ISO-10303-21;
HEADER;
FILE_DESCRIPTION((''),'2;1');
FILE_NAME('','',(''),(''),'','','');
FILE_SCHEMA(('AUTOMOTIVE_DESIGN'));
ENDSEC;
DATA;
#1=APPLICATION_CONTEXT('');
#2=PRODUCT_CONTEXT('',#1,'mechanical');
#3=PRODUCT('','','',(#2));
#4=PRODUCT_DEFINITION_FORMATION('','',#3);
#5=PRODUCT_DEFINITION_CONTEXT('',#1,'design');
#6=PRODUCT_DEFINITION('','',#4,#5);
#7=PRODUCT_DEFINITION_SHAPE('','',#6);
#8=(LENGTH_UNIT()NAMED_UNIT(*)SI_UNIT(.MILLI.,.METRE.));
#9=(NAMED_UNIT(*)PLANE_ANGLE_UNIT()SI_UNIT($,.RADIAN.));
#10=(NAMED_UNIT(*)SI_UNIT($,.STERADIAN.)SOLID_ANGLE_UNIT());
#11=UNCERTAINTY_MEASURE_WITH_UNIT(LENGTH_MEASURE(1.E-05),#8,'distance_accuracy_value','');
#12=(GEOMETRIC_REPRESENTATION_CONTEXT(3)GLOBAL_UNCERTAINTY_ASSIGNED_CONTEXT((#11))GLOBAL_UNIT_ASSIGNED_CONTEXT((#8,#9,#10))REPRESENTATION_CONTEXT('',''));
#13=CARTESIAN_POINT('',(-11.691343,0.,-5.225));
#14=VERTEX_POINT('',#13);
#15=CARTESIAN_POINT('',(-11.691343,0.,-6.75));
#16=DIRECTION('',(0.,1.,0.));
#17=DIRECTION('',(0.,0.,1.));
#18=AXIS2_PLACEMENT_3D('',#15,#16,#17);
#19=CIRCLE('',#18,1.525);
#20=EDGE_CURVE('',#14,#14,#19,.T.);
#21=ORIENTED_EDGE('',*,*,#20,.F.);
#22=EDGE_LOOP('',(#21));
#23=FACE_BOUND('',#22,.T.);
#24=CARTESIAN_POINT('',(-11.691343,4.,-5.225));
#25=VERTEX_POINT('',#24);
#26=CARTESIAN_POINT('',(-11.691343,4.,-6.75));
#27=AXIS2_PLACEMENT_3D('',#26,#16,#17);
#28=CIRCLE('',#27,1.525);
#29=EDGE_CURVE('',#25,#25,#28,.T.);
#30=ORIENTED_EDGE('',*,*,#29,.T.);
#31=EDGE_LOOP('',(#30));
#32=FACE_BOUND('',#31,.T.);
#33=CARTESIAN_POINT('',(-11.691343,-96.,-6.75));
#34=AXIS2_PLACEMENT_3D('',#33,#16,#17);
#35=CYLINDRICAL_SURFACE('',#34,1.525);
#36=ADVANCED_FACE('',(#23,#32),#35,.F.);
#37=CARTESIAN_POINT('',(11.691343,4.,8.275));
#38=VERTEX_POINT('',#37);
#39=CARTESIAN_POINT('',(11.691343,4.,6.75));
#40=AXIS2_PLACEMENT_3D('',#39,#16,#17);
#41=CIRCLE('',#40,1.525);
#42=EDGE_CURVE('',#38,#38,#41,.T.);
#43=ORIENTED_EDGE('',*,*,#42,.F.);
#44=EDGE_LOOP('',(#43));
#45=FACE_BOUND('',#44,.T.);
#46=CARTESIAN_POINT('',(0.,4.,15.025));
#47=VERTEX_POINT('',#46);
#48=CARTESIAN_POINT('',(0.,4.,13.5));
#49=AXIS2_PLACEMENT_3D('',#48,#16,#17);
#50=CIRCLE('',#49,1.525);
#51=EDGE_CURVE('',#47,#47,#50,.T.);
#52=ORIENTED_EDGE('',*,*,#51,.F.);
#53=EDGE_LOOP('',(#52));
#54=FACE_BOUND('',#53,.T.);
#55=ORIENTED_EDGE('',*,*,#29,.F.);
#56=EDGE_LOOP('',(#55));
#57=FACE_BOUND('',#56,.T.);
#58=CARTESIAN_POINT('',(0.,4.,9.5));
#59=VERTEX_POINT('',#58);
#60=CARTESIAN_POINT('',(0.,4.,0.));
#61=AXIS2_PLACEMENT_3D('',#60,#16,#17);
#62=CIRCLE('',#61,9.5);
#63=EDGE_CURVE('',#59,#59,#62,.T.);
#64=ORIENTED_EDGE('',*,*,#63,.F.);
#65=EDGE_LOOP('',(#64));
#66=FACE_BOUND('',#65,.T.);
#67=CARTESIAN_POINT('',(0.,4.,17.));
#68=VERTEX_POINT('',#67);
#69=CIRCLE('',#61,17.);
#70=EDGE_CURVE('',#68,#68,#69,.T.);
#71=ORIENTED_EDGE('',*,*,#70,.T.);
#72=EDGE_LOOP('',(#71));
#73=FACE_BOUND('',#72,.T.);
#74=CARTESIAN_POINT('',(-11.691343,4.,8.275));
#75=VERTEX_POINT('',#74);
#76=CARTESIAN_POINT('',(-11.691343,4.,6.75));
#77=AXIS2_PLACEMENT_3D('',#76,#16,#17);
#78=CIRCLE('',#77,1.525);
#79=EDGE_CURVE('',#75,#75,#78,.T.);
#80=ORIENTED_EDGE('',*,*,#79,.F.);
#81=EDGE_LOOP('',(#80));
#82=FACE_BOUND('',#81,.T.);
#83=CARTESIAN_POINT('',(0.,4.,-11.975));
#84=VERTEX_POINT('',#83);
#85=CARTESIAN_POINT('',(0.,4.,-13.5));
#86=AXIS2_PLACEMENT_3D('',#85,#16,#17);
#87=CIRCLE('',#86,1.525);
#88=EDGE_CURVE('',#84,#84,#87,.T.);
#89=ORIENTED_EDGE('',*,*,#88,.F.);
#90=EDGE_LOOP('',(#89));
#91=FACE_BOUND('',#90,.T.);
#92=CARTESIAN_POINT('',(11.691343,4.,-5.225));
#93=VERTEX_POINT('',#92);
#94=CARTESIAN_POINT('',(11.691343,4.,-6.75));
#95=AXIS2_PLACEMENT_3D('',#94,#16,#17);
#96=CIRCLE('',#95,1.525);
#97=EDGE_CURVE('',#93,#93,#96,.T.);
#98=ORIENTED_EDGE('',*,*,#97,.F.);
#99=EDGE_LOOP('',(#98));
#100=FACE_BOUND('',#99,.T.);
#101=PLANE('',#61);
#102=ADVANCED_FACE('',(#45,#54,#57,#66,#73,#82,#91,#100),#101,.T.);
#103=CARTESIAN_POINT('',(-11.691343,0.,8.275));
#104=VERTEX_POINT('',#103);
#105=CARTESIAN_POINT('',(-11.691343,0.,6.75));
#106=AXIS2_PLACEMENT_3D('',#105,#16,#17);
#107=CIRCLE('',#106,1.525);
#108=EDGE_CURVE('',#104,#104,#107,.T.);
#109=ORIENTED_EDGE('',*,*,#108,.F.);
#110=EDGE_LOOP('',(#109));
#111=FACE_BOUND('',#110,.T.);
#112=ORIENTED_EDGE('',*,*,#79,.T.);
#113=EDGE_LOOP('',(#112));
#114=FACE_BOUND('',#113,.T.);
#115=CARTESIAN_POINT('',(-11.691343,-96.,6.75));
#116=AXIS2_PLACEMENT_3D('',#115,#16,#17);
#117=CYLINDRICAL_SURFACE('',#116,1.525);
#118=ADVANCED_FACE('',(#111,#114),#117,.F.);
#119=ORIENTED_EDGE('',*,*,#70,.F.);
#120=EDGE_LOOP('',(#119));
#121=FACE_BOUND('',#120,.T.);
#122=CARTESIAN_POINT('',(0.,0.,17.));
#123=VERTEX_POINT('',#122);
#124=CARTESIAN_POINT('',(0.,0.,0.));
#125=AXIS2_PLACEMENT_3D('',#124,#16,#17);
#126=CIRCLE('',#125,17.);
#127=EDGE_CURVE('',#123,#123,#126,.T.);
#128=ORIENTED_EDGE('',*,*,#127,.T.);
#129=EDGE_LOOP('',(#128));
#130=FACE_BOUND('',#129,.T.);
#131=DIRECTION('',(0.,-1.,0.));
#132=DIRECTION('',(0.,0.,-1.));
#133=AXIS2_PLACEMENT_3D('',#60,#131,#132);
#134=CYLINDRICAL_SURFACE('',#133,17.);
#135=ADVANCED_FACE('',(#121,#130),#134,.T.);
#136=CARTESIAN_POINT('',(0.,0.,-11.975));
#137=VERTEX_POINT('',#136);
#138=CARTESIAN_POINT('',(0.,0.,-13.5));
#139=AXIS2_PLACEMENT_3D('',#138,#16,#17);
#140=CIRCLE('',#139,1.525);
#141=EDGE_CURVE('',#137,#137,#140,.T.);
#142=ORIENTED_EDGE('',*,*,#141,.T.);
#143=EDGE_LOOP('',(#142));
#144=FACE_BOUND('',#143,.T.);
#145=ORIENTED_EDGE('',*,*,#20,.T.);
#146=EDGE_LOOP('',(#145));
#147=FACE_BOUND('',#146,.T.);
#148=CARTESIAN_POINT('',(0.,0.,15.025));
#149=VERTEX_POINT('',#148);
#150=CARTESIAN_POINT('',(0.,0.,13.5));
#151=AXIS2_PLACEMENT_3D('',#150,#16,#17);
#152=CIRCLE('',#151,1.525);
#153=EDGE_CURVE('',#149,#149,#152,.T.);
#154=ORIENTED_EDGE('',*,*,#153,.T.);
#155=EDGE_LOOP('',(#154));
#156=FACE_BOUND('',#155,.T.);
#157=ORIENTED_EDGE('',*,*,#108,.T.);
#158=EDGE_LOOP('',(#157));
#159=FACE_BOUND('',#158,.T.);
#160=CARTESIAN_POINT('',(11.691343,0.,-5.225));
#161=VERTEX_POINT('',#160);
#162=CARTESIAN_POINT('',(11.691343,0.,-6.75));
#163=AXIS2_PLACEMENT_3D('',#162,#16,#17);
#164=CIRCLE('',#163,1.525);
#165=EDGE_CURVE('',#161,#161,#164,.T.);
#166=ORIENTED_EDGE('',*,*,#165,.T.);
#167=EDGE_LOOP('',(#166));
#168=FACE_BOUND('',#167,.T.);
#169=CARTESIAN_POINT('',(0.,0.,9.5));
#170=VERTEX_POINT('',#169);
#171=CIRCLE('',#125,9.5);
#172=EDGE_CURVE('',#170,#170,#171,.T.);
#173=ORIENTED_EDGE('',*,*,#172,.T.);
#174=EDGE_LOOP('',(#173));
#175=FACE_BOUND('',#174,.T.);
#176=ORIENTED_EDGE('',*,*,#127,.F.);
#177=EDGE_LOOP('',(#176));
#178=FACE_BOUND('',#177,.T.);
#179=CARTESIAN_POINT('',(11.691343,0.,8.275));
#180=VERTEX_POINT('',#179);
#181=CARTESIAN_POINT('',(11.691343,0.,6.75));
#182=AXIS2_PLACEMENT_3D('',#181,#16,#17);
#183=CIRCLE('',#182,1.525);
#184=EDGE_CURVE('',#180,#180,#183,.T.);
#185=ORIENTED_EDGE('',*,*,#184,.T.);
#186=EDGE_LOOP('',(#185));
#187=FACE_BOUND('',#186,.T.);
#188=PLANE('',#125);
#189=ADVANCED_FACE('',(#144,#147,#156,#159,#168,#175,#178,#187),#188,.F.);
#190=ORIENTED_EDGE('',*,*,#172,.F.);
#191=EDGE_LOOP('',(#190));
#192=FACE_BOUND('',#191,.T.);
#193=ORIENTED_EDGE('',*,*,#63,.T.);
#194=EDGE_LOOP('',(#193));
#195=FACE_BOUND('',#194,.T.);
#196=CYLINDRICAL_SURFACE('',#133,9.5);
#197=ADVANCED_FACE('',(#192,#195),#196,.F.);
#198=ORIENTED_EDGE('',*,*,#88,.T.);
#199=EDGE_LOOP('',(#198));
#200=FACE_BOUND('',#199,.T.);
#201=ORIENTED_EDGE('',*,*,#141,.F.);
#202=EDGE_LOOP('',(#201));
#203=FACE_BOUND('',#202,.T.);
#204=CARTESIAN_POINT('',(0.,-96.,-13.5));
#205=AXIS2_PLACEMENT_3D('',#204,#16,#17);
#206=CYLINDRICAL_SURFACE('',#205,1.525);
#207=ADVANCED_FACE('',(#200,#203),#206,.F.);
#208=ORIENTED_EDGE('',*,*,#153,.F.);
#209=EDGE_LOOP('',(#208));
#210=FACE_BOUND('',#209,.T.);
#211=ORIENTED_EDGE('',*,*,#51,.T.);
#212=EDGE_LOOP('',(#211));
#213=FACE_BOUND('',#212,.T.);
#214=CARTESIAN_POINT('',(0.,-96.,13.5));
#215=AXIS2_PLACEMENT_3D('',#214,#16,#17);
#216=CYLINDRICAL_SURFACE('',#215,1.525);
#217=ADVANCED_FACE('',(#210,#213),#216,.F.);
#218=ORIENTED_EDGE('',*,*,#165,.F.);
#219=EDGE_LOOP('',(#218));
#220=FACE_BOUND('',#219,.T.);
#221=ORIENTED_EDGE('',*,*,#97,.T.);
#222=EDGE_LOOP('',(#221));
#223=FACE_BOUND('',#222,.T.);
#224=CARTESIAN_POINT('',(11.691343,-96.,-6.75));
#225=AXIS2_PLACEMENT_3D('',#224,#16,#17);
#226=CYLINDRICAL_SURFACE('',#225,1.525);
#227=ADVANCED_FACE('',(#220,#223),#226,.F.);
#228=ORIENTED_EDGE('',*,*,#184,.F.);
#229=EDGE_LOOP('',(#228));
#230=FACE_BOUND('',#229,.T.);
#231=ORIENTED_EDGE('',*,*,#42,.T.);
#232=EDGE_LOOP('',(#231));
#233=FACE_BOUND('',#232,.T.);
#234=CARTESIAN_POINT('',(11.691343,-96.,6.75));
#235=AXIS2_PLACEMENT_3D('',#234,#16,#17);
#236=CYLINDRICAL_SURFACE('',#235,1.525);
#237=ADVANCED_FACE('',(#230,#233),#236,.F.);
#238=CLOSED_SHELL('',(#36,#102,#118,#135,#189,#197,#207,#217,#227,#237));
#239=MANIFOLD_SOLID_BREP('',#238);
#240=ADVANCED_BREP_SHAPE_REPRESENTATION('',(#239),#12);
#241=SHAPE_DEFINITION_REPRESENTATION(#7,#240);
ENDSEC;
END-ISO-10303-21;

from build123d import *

# Parameters (mm, degrees)
SKETCH_1_R          = 17
SKETCH_1_R_2        = 9.5
EXTRUDE_1_DEPTH     = 4
SKETCH_2_R          = 1.525
CUT_EXTRUDE_1_DEPTH = 100


with BuildPart() as part:
    # 草图1 → 凸台-拉伸1 (new body)
    with BuildSketch(Plane(origin=(0, 0, 0), x_dir=(1, 0, 0), z_dir=(0, 1, 0))):
        Circle(SKETCH_1_R)
        Circle(SKETCH_1_R_2, mode=Mode.SUBTRACT)
    extrude(amount=EXTRUDE_1_DEPTH)

    # 草图2 → 切除-拉伸1 (cut)
    with BuildSketch(Plane(origin=(0, 4, 0), x_dir=(1, 0, 0), z_dir=(0, 1, 0))):
        with Locations((0, 13.5)):
            Circle(SKETCH_2_R)
        with Locations((11.691342951, 6.75)):
            Circle(SKETCH_2_R)
        with Locations((11.691342951, -6.75)):
            Circle(SKETCH_2_R)
        with Locations((0, -13.5)):
            Circle(SKETCH_2_R)
        with Locations((-11.691342951, -6.75)):
            Circle(SKETCH_2_R)
        with Locations((-11.691342951, 6.75)):
            Circle(SKETCH_2_R)
    extrude(amount=-CUT_EXTRUDE_1_DEPTH, mode=Mode.SUBTRACT)


solid = part.part
